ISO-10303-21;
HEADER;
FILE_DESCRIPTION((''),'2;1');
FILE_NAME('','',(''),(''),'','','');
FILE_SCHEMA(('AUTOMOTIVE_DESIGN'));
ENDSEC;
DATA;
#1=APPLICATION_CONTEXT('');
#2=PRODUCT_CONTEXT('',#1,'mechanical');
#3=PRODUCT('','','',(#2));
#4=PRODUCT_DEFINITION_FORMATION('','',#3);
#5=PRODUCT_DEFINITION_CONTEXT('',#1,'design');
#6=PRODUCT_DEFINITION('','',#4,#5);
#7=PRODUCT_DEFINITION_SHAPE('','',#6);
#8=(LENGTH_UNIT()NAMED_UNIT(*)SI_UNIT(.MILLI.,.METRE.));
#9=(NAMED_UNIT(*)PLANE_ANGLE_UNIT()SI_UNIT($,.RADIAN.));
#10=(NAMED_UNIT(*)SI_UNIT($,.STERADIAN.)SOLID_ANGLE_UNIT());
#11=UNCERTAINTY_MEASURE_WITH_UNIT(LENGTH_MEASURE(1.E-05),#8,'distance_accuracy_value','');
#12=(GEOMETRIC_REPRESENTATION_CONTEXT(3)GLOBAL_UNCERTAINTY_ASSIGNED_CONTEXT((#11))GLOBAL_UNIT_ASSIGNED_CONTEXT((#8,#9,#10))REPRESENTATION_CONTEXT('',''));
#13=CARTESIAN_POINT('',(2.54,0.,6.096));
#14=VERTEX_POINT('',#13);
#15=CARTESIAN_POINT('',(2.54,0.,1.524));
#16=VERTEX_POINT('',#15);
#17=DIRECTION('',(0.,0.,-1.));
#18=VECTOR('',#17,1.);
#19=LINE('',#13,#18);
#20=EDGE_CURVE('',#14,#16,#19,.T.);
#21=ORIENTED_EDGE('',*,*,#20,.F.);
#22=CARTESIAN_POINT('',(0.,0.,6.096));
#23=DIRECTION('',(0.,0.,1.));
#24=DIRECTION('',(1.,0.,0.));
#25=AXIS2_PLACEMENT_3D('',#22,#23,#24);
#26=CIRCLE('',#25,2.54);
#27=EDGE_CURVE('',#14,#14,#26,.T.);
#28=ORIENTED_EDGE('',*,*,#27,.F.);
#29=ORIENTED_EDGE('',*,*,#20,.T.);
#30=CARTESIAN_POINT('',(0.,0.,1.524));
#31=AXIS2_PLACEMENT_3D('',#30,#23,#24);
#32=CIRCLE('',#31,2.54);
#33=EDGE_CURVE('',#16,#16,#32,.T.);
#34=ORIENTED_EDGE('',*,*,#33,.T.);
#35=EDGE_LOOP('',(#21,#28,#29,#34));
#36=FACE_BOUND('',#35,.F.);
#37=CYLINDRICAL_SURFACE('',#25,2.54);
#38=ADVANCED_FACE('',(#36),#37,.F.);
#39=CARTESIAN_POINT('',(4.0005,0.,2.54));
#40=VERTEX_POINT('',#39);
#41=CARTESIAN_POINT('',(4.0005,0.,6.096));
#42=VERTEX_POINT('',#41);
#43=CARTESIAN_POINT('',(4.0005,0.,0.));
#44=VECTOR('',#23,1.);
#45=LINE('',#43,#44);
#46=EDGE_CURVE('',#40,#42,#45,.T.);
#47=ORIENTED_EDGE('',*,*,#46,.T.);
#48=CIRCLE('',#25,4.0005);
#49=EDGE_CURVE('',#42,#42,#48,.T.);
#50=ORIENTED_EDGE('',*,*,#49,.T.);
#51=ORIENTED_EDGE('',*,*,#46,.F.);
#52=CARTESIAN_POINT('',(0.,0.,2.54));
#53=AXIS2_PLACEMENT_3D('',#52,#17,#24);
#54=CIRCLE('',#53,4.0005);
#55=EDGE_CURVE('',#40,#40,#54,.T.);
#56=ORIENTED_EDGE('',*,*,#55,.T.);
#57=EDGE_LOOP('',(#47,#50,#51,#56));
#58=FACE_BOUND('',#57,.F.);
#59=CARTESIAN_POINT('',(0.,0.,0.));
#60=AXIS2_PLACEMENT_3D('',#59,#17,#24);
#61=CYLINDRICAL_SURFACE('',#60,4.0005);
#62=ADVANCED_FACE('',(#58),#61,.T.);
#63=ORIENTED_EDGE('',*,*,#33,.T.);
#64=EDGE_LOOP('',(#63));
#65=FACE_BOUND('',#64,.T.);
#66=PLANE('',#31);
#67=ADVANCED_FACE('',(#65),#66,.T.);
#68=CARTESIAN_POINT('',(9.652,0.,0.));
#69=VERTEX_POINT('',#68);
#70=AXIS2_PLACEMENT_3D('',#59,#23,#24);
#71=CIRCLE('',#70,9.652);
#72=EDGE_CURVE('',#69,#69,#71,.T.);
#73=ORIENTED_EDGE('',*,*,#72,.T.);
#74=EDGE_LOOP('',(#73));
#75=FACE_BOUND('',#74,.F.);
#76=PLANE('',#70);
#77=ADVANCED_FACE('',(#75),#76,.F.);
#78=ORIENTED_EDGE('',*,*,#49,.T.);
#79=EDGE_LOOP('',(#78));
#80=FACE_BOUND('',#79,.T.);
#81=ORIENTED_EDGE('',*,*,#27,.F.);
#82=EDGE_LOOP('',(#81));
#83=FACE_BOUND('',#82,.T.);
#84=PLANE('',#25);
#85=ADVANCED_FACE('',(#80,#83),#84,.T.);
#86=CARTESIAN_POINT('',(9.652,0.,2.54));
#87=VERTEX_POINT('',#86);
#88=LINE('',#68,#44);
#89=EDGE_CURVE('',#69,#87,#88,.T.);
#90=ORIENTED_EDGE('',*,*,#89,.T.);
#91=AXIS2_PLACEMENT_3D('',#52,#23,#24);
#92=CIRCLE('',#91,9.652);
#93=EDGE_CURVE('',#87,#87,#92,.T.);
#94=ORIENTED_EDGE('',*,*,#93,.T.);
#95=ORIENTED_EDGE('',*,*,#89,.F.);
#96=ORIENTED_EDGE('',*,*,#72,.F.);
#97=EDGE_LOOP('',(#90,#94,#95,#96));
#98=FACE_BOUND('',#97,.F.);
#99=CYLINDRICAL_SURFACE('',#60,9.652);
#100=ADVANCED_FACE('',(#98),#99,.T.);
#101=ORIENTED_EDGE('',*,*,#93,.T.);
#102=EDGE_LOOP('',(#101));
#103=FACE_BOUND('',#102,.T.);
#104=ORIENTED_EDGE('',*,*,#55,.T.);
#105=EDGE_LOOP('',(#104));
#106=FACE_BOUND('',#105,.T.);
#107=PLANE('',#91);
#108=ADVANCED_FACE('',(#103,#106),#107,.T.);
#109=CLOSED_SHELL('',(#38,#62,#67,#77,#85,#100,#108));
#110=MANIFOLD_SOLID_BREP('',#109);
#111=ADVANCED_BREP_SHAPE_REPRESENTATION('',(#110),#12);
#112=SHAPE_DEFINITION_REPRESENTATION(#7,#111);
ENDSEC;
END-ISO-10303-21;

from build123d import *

# Parameters (mm, degrees)
F0_R     = 9.652
F0_R_2   = 3.8735
F1_DEPTH = 2.54
F2_R     = 4.0005
F3_DEPTH = 6.096
F4_R     = 2.54
F5_DEPTH = 4.572


with BuildPart() as f1:
    # F0 (on Top) → F1 (new body)
    with BuildSketch(Plane.XY):
        Circle(F0_R)
        Circle(F0_R_2, mode=Mode.SUBTRACT)
    extrude(amount=F1_DEPTH)

    # F2 (on Top) → F3 (join)
    with BuildSketch(Plane.XY):
        Circle(F2_R)
    extrude(amount=F3_DEPTH)

    # F4 (on face) → F5 (cut)
    with BuildSketch(Plane.XY.offset(6.096)):
        Circle(F4_R)
    extrude(amount=-F5_DEPTH, mode=Mode.SUBTRACT)


solid = f1.part
